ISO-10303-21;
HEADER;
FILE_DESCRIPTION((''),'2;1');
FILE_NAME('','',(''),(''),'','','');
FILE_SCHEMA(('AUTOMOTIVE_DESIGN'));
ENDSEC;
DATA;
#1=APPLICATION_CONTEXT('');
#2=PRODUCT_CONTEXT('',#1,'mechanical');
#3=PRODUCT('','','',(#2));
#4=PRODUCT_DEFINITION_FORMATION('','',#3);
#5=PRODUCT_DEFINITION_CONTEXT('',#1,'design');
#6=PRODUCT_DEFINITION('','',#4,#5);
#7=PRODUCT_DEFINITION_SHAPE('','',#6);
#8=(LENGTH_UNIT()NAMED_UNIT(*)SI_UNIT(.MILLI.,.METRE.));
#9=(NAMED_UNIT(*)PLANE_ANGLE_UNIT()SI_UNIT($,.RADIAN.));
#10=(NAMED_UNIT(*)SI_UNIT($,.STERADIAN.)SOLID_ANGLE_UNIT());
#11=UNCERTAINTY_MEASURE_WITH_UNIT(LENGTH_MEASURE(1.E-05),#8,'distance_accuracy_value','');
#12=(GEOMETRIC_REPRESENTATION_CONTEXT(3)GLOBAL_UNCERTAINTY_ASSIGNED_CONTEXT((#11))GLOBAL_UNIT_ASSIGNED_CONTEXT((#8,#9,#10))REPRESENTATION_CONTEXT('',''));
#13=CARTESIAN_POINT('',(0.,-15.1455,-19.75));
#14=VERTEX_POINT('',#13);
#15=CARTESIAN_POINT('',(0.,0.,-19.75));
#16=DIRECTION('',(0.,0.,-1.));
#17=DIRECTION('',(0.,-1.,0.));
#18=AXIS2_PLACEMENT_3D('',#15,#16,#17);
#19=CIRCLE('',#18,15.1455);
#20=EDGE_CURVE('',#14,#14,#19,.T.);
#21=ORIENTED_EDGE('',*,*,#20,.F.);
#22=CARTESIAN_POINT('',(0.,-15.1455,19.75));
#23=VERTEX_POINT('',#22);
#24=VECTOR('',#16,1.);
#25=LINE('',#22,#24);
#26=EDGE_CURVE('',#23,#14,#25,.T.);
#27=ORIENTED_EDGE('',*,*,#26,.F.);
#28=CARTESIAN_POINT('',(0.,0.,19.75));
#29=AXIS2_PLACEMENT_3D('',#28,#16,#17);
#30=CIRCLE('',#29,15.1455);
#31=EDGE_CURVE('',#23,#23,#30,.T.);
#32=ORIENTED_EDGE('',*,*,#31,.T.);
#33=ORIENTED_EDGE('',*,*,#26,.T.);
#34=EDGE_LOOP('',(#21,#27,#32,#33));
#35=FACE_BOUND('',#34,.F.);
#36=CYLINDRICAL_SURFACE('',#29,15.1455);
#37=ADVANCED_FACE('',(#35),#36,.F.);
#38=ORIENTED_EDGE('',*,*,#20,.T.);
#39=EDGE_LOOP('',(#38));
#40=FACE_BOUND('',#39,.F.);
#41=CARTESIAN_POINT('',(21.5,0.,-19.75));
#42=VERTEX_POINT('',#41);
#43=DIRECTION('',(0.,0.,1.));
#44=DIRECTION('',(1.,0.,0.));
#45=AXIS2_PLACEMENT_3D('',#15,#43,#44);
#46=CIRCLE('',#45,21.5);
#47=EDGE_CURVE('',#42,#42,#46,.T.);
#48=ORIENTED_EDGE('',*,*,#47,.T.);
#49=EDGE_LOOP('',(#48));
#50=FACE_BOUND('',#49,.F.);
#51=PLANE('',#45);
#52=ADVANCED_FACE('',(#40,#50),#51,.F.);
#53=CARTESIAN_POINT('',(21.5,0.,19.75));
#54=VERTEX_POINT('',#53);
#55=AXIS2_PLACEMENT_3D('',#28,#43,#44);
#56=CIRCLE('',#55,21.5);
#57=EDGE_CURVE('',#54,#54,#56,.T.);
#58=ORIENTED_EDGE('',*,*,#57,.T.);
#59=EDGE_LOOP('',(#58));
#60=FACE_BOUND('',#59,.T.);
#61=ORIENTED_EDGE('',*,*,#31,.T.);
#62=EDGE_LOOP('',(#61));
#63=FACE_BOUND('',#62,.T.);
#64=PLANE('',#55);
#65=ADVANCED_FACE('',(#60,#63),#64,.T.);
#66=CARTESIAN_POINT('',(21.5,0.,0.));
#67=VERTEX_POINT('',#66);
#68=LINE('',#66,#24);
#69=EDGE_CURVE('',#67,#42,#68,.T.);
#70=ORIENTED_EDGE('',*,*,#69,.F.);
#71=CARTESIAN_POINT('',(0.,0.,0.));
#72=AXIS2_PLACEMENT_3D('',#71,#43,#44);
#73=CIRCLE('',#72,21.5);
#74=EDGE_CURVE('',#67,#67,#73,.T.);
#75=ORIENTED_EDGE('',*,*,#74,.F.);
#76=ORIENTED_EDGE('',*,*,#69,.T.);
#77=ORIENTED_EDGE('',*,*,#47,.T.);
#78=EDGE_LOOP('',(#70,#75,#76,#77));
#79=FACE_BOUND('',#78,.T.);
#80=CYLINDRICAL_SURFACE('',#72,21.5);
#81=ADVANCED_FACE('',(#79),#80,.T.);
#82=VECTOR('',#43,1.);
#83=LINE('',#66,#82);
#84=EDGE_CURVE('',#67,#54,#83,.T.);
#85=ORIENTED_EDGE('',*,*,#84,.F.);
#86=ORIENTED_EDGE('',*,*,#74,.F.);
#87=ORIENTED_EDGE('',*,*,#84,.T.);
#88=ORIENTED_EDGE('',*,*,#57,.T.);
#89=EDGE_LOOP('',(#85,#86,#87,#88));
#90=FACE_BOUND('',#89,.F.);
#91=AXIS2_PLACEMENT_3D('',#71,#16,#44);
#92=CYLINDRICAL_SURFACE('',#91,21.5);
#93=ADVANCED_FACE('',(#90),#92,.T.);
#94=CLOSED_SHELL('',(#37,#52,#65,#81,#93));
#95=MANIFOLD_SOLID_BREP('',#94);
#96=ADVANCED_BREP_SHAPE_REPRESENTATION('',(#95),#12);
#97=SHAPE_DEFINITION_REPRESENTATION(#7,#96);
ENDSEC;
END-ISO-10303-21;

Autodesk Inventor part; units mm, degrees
ref_plane "YZ Plane" through (0, 0, 0) normal (1, 0, 0) x (0, 1, 0)
ref_plane "XZ Plane" through (0, 0, 0) normal (0, 1, 0) x (-1, 0, 0)
ref_plane "XY Plane" through (0, 0, 0) normal (0, 0, 1) x (1, 0, 0)
sketch "Sketch1" plane through (0, 0, 0) normal (0, 0, 1) x (1, 0, 0)
  circle A0 centre (0, 0) radius 21.5
  dimension "d4" = 43
extrude "Extrusion1" add sketch "Sketch1" along normal mid plane 39.5
sketch "Sketch2" plane through (0, 0, 19.75) normal (0, 0, 1) x (1, 0, 0)
  point P0 (0, 0)
  point P1 (0, 0)
hole "Hole1" at (0, 0, 19.75) direction (0, 0, -1) diameter 30.291 end through all thread size "G33.249x2.309" designation "G 1" standard "ISO Pipe Threads"
properties part number "муфта 1\""
